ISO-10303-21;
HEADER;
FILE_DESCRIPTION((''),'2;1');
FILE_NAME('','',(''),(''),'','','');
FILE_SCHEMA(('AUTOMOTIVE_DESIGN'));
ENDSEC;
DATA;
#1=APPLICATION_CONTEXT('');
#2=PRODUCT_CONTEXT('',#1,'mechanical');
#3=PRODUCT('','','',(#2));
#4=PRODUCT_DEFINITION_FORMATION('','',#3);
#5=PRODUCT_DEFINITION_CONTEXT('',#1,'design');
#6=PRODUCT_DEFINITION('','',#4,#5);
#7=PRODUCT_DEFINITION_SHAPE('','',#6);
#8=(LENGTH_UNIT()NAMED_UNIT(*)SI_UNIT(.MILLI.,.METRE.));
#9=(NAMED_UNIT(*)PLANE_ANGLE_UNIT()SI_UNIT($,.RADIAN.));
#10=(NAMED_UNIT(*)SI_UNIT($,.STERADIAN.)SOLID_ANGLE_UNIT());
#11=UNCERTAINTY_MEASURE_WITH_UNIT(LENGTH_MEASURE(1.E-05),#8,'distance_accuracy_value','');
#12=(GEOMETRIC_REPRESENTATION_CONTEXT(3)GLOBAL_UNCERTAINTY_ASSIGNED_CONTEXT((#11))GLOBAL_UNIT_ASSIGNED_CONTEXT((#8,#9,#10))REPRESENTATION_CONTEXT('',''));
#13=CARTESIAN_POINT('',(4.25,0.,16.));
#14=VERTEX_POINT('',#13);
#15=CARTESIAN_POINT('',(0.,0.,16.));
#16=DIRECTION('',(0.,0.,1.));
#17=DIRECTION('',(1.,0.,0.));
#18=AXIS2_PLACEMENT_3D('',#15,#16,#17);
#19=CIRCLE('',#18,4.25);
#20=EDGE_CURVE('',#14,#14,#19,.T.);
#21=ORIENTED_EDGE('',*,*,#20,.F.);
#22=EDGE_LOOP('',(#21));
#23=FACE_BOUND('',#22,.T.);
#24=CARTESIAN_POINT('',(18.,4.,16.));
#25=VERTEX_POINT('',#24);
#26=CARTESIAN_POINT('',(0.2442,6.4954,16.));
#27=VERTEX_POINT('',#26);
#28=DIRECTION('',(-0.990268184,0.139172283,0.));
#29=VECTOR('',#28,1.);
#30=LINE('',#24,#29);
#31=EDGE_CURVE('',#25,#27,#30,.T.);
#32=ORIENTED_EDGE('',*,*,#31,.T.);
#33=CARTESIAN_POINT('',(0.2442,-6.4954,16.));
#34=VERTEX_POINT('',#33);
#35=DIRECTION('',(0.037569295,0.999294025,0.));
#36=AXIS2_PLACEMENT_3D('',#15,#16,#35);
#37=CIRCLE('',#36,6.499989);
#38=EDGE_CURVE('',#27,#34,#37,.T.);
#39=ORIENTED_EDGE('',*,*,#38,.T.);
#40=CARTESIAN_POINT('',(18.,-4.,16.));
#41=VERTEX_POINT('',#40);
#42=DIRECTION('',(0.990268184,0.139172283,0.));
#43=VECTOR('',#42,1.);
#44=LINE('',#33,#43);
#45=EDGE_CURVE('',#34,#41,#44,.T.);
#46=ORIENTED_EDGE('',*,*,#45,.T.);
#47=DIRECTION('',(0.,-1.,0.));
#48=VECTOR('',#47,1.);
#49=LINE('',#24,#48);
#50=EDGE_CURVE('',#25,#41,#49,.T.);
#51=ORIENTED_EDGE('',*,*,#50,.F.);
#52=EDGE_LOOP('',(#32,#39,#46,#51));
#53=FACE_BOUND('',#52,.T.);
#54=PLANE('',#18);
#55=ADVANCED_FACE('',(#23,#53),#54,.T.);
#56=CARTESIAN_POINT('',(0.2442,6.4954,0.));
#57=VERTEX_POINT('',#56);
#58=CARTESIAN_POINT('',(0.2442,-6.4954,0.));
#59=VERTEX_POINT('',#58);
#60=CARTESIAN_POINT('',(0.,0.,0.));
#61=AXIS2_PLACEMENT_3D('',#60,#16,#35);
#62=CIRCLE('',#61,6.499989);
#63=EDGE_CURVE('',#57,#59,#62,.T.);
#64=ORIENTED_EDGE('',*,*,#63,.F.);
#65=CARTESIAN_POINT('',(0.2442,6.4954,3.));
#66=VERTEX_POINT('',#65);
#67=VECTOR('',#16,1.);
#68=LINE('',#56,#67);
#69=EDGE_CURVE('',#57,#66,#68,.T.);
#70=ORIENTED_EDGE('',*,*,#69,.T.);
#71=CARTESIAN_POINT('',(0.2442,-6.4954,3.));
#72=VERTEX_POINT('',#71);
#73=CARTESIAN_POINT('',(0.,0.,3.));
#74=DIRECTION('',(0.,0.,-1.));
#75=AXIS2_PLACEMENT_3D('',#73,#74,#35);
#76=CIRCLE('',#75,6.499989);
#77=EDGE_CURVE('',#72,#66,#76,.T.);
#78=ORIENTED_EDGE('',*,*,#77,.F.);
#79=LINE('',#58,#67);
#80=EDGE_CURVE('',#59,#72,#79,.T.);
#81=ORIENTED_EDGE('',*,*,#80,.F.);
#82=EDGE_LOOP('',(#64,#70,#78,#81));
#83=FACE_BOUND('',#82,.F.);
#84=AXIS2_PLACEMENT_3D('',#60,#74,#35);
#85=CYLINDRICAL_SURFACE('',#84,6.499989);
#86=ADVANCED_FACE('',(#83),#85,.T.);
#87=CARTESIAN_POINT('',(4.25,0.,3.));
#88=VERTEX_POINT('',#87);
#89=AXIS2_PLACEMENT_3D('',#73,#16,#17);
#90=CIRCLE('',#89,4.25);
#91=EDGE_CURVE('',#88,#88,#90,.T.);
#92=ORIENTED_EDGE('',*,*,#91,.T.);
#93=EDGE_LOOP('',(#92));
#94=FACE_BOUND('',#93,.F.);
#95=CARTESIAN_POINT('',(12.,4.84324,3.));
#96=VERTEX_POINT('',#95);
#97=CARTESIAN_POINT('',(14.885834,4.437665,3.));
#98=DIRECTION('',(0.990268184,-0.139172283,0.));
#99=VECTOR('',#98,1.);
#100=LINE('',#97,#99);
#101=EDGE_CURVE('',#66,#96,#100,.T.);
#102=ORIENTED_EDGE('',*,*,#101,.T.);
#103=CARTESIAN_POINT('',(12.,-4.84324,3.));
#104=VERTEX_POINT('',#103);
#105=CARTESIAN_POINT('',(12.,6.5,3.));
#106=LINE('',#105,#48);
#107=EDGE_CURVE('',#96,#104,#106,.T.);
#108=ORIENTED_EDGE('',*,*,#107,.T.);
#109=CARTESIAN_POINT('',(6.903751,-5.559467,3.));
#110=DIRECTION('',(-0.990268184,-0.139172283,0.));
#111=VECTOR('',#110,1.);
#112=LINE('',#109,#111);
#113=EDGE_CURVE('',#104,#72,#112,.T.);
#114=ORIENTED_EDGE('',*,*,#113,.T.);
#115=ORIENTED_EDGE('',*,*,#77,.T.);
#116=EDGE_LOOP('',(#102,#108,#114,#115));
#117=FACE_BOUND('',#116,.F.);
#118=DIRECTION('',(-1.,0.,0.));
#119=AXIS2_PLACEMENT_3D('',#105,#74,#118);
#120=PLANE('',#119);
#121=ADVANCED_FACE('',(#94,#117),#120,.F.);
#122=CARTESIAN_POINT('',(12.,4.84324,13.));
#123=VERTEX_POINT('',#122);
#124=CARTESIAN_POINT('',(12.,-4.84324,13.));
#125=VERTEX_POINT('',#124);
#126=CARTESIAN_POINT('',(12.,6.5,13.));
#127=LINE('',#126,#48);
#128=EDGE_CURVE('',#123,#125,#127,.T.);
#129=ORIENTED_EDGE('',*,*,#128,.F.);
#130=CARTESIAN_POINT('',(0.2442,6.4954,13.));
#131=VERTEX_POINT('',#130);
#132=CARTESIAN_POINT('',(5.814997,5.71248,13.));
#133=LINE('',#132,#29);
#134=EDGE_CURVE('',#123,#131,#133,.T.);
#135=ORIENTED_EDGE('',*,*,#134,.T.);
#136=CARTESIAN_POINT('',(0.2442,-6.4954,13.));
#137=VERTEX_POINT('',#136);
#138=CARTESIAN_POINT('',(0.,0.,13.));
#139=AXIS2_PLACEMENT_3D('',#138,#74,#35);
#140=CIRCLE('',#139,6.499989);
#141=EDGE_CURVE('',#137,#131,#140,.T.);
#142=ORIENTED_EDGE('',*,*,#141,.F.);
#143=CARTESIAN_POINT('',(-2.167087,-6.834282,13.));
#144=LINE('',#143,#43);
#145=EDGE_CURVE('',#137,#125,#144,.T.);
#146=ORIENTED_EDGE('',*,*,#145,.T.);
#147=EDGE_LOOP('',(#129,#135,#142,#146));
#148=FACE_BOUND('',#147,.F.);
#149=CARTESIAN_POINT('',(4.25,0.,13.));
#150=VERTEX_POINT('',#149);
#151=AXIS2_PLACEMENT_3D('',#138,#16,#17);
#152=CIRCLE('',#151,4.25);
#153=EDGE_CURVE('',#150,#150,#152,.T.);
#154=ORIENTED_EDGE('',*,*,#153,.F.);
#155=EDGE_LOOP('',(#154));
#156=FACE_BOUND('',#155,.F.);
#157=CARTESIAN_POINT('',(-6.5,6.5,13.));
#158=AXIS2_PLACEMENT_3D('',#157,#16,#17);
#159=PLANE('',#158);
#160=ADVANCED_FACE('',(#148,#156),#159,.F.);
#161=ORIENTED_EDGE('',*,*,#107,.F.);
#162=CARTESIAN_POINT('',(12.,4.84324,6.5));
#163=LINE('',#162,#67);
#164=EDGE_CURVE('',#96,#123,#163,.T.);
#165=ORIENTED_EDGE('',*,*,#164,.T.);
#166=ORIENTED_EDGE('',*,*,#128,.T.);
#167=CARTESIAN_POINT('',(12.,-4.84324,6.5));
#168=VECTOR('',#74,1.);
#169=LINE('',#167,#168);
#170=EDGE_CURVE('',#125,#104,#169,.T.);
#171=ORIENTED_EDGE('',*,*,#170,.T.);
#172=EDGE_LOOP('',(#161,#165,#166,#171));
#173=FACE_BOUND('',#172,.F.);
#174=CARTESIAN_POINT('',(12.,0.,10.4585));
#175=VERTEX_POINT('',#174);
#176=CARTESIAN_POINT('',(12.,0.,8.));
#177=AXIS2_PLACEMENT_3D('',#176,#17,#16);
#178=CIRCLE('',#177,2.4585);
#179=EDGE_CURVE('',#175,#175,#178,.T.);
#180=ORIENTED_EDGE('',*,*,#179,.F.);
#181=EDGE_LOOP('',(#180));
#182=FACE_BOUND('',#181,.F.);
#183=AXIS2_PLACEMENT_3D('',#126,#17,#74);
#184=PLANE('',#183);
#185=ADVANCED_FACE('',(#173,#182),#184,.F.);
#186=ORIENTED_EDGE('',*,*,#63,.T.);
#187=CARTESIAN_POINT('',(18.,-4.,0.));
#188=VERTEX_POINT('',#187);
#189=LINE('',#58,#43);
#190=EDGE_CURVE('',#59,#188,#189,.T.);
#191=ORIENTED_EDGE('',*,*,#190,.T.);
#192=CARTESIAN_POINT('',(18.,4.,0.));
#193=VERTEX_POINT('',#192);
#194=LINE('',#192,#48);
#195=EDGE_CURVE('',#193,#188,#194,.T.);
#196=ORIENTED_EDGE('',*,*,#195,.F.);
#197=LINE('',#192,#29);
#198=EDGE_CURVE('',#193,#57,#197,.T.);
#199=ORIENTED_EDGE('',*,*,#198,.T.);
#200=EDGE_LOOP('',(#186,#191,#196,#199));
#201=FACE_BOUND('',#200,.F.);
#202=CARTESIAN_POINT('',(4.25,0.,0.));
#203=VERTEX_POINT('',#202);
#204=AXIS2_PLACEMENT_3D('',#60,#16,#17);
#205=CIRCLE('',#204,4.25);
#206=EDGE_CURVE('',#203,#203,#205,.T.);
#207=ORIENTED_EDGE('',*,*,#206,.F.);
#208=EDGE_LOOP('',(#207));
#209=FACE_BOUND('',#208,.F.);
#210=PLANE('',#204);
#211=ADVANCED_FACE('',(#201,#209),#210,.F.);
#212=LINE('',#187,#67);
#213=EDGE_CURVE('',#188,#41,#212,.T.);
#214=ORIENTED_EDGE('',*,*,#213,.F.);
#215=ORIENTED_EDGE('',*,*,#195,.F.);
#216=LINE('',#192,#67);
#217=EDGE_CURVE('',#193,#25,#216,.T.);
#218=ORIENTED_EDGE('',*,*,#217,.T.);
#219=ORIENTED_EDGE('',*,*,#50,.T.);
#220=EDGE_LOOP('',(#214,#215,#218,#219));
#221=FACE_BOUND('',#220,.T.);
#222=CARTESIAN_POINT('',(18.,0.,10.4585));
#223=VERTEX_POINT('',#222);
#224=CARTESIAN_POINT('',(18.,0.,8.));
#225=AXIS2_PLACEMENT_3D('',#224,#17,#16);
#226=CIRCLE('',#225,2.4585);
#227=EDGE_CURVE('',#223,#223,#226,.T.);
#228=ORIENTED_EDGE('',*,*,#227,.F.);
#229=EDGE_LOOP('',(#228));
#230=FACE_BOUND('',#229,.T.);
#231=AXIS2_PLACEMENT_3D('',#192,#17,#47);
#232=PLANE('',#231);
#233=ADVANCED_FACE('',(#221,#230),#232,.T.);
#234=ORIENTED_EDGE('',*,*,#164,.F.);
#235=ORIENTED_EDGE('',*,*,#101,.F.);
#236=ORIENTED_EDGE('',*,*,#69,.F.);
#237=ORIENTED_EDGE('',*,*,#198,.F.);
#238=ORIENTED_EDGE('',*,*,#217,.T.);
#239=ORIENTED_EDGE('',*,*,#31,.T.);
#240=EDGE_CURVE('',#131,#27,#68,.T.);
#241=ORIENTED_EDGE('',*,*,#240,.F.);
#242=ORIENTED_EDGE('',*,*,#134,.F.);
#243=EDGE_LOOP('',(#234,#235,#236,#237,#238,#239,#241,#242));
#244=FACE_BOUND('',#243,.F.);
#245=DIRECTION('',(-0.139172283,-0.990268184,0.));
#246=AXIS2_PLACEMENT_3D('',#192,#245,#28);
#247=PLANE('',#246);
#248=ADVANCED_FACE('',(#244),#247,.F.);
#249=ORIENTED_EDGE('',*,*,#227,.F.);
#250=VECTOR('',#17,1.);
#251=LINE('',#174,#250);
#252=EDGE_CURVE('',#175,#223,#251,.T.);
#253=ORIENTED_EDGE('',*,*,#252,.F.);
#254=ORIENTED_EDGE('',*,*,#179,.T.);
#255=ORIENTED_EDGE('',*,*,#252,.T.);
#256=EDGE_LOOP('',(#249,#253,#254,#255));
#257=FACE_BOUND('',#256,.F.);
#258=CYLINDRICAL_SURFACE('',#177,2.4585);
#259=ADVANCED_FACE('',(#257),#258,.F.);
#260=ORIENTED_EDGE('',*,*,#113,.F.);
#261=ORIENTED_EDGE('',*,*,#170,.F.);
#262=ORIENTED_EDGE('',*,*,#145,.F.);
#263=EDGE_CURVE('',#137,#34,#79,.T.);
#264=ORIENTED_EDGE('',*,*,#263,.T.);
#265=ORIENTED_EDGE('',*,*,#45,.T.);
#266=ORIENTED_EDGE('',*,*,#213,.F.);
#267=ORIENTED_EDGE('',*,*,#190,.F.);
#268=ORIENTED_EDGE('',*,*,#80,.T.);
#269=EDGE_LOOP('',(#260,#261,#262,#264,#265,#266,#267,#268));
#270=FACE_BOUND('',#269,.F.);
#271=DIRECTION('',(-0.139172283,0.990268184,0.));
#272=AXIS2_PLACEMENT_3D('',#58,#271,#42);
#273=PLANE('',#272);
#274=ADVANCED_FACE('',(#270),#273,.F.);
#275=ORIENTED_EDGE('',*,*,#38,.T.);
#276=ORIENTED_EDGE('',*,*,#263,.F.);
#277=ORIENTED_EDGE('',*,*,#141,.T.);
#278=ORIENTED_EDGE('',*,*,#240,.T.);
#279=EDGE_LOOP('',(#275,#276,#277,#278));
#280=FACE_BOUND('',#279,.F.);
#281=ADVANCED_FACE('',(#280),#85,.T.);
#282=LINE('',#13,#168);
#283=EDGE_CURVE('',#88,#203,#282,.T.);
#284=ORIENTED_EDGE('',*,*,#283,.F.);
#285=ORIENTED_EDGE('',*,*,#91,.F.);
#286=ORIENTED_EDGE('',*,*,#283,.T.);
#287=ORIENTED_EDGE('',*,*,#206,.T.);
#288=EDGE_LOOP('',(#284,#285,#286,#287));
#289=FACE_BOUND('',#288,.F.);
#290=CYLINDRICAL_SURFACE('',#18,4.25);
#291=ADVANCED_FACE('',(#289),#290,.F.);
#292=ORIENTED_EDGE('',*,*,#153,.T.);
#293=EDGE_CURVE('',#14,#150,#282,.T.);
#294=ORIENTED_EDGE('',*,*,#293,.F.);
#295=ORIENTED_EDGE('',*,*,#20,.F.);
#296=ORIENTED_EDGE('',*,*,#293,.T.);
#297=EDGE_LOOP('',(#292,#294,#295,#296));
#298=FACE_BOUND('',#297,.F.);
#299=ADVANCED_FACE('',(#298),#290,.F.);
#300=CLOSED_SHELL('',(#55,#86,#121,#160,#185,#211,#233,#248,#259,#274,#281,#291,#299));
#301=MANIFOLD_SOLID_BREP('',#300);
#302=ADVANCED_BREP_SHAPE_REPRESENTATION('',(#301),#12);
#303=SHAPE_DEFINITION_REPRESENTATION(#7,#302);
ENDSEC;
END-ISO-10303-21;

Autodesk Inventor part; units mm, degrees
ref_plane "YZ Plane" through (0, 0, 0) normal (1, 0, 0) x (0, 1, 0)
ref_plane "XY Plane" through (0, 0, 0) normal (0, 0, 1) x (1, 0, 0)
sketch "Sketch1" plane through (0, 0, 0) normal (0, 0, 1) x (1, 0, 0)
  arc A0 (0.2442, 6.4954) -> (0.2442, -6.4954) centre (0, 0) ccw
  line L0 (18, 4) -> (18, -4)
  line L1 (18, 4) -> (0.2442, 6.4954)
  line L2 (0.2442, -6.4954) -> (18, -4)
  point P0 (18, 0)
  dimension "d0" = 13
  dimension "d1" = 8
  dimension "d2" = 18
  dimension "d3" = 82
  dimension "d4" = 82
extrude "Extrusion1" add sketch "Sketch1" along normal blind 16
sketch "Sketch2" plane through (0, 0, 16) normal (0, 0, 1) x (1, 0, 0)
  arc A0 (0.2442, 6.4954) -> (0.2442, -6.4954) centre (0, 0) ccw projected
  circle A1 centre (0, 0) radius 4.25
  dimension "d7" = 8.5
extrude "Extrusion2" cut sketch "Sketch2" against normal through all
ref_plane "Work Plane1" through (0, 6.5, 0) normal (0, 1, 0) x (-1, 0, 0)
sketch "Sketch3" plane through (0, 6.5, 0) normal (0, 1, 0) x (-1, 0, 0)
  line L0 (6.5, 0) -> (6.5, 16) projected
  line L1 (6.5, 13) -> (-12, 13)
  line L2 (-12, 13) -> (-12, 3)
  line L3 (-12, 3) -> (6.5, 3)
  line L4 (6.5, 3) -> (6.5, 13)
  line L5 (-18, 0) -> (-18, 16) projected
  line L6 (6.5, 0) -> (-0.2442, 0) projected
  line L7 (6.5, 16) -> (-0.2442, 16) projected
  point P0 (0, 0)
  point P1 (6.5, 3)
  dimension "d11" = 6
  dimension "d12" = 3
  dimension "d13" = 3
extrude "Extrusion3" cut sketch "Sketch3" against normal through all
sketch "Sketch4" plane through (12, -4.8432, 3) normal (-1, 0, 0) x (0, 0, 1)
  line L0 (10, 9.6865) -> (10, 0) projected
  circle A0 centre (5, 4.8432) radius 2.5
  line L1 (-3, 8.8432) -> (13, 8.8432) projected
  point P0 (-3, 4.8432)
  dimension "d16" = 5
  dimension "d17" = 4
  dimension "d18" = 5
hole "Hole1" at (12, 0, 8) direction (1, 0, 0) diameter 4.917 depth 6 thread size "M6x1" class "6H" standard "ANSI Metric M Profile"
properties part number "16C - Con Head Crosshead" material "Steel AISI 1020 107 HR"
